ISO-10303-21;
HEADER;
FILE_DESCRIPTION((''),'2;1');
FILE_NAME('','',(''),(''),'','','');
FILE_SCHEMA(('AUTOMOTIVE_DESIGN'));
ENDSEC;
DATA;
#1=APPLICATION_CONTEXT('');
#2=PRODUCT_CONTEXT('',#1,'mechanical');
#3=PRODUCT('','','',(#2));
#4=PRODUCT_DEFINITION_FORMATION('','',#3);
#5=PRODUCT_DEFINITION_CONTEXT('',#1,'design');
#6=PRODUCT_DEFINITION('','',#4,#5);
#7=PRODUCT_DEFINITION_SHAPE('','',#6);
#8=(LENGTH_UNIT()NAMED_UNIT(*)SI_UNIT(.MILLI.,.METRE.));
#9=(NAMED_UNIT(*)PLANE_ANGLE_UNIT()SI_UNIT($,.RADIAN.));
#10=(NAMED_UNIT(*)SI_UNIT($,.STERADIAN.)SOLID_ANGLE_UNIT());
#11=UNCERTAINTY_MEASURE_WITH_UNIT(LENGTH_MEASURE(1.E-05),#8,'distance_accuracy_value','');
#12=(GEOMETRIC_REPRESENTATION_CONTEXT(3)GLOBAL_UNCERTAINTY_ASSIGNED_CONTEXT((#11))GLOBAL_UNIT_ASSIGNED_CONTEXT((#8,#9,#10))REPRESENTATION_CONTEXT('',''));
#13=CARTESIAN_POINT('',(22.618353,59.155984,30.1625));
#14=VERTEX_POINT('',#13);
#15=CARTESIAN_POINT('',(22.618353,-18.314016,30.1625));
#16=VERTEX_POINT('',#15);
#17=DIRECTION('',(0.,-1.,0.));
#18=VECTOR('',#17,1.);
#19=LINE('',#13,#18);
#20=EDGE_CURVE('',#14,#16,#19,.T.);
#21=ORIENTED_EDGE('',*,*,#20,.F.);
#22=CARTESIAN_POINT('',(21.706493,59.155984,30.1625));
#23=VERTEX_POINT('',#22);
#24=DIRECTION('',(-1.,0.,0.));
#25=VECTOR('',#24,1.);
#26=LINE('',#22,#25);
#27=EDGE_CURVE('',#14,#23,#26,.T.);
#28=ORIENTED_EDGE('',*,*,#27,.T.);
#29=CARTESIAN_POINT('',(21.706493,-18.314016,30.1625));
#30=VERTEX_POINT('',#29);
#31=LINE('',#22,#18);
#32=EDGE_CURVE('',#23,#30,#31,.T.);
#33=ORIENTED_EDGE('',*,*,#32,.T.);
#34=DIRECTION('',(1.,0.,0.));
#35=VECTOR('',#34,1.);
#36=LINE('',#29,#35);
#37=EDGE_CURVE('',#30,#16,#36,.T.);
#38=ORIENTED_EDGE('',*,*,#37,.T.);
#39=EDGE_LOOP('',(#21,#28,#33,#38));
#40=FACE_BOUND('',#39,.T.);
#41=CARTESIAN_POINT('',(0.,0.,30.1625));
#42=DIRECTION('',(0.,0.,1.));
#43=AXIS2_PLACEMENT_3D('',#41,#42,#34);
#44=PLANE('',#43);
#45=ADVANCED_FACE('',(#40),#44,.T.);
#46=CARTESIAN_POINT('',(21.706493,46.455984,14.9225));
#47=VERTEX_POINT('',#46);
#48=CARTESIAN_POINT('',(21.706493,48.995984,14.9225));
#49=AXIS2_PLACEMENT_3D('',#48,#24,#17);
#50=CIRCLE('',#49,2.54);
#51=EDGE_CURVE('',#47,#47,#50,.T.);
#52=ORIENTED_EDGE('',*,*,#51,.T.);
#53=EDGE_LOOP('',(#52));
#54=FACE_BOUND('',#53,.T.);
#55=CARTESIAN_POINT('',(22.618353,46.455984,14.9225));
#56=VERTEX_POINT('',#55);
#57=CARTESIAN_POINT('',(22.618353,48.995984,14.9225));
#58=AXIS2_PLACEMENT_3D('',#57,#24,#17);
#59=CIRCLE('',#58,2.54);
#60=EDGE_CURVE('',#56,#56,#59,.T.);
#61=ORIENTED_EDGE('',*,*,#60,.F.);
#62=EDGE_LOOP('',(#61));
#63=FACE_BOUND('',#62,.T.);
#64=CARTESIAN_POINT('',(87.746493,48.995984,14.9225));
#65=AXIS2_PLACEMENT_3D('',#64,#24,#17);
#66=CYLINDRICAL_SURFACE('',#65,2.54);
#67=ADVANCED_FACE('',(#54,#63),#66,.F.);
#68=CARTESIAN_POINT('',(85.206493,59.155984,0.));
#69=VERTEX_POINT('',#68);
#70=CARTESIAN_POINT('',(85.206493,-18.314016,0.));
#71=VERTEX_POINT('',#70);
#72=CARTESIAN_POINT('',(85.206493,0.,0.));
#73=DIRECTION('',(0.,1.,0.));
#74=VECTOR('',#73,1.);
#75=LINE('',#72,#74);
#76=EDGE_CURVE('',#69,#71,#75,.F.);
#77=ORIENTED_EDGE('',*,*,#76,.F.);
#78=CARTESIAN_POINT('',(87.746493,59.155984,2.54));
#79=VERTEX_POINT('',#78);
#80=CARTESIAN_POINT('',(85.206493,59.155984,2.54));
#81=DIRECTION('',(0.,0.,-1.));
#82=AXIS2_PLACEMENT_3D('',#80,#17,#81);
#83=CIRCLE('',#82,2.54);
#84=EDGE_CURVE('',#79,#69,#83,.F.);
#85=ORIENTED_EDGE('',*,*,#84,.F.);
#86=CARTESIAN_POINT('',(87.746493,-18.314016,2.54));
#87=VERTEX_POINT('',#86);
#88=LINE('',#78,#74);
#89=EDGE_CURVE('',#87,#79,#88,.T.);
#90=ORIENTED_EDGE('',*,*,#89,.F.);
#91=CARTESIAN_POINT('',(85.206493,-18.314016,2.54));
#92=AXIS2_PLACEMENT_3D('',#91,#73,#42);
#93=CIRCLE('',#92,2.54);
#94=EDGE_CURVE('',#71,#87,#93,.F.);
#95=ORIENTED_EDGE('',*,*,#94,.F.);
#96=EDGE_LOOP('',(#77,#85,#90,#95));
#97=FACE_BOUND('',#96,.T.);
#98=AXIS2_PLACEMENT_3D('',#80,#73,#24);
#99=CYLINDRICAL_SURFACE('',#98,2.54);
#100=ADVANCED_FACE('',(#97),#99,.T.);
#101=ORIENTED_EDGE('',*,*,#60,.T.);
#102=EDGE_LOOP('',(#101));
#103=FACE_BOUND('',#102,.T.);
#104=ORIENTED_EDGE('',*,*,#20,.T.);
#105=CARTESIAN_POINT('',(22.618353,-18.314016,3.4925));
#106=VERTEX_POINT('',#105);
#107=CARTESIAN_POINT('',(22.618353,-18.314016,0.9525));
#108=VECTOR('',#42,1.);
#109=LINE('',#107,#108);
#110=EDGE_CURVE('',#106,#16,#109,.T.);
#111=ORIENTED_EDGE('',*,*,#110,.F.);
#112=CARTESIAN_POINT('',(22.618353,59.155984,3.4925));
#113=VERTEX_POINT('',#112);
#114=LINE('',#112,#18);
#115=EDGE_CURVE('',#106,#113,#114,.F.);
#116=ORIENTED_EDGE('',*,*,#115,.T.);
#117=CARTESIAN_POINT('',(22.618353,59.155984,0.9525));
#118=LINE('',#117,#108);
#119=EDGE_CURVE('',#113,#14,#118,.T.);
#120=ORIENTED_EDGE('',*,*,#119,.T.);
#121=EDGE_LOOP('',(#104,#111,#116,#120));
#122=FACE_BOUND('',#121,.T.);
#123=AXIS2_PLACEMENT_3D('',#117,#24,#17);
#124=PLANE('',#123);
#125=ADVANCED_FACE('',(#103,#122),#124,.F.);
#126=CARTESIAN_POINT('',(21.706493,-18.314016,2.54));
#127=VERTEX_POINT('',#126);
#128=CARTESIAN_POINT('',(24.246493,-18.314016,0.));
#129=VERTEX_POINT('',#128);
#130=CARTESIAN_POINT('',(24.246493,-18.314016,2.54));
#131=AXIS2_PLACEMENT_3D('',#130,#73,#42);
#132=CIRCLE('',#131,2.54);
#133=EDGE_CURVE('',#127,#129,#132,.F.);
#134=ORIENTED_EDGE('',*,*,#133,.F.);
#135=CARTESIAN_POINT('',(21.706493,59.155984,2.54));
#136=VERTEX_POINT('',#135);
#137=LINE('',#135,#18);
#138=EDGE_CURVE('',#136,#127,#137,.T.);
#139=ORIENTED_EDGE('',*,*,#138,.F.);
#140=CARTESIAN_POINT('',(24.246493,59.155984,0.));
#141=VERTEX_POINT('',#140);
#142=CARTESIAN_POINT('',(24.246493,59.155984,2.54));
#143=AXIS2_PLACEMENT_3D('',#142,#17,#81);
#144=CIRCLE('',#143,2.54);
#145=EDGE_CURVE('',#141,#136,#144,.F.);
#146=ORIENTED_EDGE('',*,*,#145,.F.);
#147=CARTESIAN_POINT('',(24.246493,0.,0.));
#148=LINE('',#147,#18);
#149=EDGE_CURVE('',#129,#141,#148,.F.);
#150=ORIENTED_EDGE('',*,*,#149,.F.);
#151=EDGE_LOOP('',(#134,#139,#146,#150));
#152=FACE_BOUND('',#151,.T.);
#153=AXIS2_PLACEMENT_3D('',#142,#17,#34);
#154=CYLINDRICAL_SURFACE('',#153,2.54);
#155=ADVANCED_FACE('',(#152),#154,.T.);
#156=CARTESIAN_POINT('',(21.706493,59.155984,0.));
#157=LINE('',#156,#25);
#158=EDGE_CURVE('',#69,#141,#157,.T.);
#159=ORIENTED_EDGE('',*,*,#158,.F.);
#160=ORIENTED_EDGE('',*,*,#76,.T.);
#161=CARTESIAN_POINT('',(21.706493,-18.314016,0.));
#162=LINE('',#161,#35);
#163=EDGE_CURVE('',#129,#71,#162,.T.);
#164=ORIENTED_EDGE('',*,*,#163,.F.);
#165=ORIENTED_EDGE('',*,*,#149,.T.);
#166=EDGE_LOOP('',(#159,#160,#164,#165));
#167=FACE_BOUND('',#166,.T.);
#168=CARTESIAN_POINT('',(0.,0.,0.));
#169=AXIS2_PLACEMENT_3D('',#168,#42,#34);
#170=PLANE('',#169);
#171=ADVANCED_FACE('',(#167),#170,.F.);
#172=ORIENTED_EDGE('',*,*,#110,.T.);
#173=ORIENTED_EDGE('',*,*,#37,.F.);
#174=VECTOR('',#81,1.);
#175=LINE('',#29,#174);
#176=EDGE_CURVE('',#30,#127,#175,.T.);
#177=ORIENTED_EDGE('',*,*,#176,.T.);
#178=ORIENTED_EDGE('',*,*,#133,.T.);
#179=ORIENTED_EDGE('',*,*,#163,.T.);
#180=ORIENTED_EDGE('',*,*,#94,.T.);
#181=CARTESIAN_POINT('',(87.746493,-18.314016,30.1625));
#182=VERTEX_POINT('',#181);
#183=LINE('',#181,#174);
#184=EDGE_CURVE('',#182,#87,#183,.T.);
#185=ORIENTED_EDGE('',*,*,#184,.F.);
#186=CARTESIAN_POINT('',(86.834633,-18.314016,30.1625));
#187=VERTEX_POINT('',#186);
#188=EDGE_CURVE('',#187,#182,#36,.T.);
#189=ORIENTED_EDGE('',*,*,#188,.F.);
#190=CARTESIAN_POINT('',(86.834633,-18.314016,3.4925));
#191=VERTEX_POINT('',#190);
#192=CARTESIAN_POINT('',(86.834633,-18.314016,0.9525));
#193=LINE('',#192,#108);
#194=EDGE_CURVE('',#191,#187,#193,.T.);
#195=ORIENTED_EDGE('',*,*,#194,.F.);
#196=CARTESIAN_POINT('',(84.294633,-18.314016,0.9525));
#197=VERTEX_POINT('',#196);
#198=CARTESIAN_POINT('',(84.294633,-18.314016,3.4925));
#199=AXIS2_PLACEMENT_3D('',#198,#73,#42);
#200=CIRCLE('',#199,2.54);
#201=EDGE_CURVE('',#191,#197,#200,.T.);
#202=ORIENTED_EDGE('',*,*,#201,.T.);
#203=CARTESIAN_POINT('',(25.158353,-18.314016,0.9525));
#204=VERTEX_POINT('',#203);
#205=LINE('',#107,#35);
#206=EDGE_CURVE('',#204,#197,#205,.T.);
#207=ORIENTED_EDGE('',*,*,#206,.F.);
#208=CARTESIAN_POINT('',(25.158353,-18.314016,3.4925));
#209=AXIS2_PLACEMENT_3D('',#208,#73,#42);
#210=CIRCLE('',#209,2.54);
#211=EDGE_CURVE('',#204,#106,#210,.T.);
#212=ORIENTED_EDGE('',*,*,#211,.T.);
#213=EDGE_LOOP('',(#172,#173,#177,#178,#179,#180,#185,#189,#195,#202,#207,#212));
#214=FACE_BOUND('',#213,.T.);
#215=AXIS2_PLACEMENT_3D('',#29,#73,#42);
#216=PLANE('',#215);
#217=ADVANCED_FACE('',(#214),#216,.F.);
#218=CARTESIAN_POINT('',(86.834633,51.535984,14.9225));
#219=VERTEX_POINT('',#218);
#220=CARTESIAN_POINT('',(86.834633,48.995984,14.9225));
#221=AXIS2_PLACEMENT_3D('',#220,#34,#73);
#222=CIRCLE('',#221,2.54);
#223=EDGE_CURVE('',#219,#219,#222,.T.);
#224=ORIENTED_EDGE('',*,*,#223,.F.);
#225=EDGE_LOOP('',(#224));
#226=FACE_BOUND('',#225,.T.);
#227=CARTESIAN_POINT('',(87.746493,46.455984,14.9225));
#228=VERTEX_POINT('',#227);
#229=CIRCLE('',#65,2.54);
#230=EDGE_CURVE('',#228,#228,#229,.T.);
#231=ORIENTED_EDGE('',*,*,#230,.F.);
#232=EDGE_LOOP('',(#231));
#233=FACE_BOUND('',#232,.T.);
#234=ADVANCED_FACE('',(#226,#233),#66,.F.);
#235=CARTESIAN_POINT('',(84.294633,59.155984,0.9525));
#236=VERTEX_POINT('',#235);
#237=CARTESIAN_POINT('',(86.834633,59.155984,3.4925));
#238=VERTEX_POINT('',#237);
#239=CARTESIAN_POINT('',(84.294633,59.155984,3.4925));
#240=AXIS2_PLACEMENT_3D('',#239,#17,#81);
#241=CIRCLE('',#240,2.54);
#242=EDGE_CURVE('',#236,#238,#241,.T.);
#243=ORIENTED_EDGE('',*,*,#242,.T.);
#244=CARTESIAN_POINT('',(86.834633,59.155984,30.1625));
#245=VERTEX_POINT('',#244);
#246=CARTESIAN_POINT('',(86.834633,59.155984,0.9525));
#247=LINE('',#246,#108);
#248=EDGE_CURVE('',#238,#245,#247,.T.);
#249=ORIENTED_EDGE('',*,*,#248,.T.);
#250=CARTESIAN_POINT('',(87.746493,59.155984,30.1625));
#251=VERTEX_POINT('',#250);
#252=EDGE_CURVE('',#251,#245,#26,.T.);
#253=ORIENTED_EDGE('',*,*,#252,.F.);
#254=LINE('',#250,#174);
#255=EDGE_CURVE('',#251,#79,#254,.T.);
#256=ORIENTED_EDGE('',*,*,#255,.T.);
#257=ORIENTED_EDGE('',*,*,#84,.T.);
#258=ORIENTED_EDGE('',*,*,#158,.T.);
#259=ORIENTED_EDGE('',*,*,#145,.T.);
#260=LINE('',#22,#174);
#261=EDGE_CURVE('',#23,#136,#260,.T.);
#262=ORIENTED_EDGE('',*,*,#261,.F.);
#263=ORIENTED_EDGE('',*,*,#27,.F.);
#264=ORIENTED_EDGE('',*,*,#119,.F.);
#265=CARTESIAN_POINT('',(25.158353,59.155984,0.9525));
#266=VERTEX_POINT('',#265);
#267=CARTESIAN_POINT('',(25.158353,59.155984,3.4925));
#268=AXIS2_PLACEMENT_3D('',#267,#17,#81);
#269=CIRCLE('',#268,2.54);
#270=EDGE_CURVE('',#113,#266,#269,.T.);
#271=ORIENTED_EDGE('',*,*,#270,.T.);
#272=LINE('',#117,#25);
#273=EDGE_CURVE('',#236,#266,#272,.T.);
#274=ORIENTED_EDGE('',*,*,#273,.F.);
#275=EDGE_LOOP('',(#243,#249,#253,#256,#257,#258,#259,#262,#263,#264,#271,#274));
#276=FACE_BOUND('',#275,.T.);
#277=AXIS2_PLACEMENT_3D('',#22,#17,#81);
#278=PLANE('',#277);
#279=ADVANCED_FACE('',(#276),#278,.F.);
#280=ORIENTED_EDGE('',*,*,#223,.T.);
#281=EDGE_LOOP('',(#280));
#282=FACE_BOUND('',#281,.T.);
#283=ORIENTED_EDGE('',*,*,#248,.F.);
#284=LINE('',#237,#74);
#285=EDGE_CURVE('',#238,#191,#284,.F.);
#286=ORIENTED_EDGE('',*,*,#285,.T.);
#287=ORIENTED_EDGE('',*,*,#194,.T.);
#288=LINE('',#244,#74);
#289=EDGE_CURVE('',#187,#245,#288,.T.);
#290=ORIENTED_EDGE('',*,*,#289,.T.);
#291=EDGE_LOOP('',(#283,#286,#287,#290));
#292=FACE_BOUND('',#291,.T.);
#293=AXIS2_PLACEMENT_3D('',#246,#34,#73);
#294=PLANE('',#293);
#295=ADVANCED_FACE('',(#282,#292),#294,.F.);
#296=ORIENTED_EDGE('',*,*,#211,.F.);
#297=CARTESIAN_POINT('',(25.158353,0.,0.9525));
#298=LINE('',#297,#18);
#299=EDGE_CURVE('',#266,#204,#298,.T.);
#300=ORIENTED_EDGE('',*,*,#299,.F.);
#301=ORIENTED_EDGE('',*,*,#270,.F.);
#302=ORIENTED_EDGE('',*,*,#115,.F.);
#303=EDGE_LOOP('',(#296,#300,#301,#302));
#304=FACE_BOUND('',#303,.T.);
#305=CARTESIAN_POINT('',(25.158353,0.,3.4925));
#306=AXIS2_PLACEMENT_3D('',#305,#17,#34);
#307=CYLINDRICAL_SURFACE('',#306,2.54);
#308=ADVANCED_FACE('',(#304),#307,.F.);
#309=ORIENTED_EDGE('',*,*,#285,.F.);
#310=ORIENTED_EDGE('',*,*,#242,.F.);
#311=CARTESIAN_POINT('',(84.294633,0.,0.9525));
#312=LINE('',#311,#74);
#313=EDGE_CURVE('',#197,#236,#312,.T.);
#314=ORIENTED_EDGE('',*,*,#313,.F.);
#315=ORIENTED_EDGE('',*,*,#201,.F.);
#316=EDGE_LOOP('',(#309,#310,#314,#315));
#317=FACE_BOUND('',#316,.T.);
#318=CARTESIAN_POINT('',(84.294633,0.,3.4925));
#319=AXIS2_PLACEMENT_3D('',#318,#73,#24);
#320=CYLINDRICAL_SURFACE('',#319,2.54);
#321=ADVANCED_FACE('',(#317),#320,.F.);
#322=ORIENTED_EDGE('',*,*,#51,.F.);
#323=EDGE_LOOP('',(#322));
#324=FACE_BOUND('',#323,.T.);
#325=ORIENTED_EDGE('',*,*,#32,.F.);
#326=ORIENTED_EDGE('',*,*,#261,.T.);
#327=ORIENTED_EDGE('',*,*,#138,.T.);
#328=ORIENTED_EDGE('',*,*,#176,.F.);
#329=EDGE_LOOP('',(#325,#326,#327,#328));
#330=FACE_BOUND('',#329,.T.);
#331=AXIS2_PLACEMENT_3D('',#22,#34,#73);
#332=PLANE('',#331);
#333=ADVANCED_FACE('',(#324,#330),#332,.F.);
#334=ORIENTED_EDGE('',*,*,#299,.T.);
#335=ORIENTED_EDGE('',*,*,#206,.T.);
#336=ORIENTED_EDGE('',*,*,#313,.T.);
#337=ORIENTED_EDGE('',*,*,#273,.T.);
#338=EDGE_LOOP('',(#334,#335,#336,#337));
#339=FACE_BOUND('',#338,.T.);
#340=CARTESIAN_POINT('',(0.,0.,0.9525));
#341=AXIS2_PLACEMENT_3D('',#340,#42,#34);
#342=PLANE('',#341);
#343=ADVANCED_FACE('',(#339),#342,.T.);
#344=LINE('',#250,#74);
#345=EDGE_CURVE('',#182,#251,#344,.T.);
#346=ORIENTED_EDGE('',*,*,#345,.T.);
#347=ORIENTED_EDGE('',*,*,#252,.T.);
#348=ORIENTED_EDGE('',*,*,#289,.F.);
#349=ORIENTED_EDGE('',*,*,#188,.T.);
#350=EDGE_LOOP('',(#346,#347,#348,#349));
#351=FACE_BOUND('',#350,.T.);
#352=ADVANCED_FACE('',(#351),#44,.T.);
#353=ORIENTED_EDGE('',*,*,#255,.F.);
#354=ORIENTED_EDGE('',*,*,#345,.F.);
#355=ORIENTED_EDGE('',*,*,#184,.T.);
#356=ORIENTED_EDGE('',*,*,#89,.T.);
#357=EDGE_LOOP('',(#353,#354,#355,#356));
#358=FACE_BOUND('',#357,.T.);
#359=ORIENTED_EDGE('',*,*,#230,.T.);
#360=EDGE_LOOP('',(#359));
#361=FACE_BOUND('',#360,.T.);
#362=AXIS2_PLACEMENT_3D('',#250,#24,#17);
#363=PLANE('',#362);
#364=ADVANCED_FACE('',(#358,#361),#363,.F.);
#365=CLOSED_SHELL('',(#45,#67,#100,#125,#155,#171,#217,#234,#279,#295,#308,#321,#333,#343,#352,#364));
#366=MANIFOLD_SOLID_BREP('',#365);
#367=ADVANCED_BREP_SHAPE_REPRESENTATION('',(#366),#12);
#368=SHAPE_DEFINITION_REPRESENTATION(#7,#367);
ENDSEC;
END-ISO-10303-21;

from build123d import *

# Parameters (mm, degrees)
SKETCH1_W           = 66.04
SKETCH1_H           = 77.47
BOSS_EXTRUDE1_DEPTH = 30.1625
SKETCH2_W           = 64.21628
SKETCH2_H           = 77.47
CUT_EXTRUDE2_DEPTH  = 29.21
FILLET1_R           = 2.54
FILLET2_R           = 2.54
FILLET3_R           = 2.54
FILLET4_R           = 2.54
SKETCH5_R           = 2.54
CUT_EXTRUDE3_DEPTH  = 94.650885895


with BuildPart() as part:
    # Sketch1 → Boss-Extrude1 (new body)
    with BuildSketch(Plane.XY):
        with Locations((54.726493431, 20.420983827)):
            Rectangle(SKETCH1_W, SKETCH1_H)
    extrude(amount=BOSS_EXTRUDE1_DEPTH)

    # Sketch2 → Cut-Extrude2 (cut)
    with BuildSketch(Plane.XY.offset(30.1625)):
        with Locations((54.726493431, 20.420983827)):
            Rectangle(SKETCH2_W, SKETCH2_H)
    extrude(amount=-CUT_EXTRUDE2_DEPTH, mode=Mode.SUBTRACT)

    # Fillet1
    fillet1_edges = [part.edges().sort_by_distance(p)[0] for p in [
        (21.706493431, 20.420983827, 0),
    ]]
    fillet(fillet1_edges, radius=FILLET1_R)

    # Fillet2
    fillet2_edges = [part.edges().sort_by_distance(p)[0] for p in [
        (87.746493431, 20.420983827, 0),
    ]]
    fillet(fillet2_edges, radius=FILLET2_R)

    # Fillet3
    fillet3_edges = [part.edges().sort_by_distance(p)[0] for p in [
        (22.618353431, 20.420983827, 0.9525),
    ]]
    fillet(fillet3_edges, radius=FILLET3_R)

    # Fillet4
    fillet4_edges = [part.edges().sort_by_distance(p)[0] for p in [
        (86.834633431, 20.420983827, 0.9525),
    ]]
    fillet(fillet4_edges, radius=FILLET4_R)

    # Sketch5 → Cut-Extrude3 (cut, through all)
    with BuildSketch(Plane.ZY.offset(-21.706493431)):
        with Locations(Location((14.9225, 48.995983827, 0), (0, 0, 270))):
            Circle(SKETCH5_R)
    extrude(amount=-CUT_EXTRUDE3_DEPTH, mode=Mode.SUBTRACT)


solid = part.part
